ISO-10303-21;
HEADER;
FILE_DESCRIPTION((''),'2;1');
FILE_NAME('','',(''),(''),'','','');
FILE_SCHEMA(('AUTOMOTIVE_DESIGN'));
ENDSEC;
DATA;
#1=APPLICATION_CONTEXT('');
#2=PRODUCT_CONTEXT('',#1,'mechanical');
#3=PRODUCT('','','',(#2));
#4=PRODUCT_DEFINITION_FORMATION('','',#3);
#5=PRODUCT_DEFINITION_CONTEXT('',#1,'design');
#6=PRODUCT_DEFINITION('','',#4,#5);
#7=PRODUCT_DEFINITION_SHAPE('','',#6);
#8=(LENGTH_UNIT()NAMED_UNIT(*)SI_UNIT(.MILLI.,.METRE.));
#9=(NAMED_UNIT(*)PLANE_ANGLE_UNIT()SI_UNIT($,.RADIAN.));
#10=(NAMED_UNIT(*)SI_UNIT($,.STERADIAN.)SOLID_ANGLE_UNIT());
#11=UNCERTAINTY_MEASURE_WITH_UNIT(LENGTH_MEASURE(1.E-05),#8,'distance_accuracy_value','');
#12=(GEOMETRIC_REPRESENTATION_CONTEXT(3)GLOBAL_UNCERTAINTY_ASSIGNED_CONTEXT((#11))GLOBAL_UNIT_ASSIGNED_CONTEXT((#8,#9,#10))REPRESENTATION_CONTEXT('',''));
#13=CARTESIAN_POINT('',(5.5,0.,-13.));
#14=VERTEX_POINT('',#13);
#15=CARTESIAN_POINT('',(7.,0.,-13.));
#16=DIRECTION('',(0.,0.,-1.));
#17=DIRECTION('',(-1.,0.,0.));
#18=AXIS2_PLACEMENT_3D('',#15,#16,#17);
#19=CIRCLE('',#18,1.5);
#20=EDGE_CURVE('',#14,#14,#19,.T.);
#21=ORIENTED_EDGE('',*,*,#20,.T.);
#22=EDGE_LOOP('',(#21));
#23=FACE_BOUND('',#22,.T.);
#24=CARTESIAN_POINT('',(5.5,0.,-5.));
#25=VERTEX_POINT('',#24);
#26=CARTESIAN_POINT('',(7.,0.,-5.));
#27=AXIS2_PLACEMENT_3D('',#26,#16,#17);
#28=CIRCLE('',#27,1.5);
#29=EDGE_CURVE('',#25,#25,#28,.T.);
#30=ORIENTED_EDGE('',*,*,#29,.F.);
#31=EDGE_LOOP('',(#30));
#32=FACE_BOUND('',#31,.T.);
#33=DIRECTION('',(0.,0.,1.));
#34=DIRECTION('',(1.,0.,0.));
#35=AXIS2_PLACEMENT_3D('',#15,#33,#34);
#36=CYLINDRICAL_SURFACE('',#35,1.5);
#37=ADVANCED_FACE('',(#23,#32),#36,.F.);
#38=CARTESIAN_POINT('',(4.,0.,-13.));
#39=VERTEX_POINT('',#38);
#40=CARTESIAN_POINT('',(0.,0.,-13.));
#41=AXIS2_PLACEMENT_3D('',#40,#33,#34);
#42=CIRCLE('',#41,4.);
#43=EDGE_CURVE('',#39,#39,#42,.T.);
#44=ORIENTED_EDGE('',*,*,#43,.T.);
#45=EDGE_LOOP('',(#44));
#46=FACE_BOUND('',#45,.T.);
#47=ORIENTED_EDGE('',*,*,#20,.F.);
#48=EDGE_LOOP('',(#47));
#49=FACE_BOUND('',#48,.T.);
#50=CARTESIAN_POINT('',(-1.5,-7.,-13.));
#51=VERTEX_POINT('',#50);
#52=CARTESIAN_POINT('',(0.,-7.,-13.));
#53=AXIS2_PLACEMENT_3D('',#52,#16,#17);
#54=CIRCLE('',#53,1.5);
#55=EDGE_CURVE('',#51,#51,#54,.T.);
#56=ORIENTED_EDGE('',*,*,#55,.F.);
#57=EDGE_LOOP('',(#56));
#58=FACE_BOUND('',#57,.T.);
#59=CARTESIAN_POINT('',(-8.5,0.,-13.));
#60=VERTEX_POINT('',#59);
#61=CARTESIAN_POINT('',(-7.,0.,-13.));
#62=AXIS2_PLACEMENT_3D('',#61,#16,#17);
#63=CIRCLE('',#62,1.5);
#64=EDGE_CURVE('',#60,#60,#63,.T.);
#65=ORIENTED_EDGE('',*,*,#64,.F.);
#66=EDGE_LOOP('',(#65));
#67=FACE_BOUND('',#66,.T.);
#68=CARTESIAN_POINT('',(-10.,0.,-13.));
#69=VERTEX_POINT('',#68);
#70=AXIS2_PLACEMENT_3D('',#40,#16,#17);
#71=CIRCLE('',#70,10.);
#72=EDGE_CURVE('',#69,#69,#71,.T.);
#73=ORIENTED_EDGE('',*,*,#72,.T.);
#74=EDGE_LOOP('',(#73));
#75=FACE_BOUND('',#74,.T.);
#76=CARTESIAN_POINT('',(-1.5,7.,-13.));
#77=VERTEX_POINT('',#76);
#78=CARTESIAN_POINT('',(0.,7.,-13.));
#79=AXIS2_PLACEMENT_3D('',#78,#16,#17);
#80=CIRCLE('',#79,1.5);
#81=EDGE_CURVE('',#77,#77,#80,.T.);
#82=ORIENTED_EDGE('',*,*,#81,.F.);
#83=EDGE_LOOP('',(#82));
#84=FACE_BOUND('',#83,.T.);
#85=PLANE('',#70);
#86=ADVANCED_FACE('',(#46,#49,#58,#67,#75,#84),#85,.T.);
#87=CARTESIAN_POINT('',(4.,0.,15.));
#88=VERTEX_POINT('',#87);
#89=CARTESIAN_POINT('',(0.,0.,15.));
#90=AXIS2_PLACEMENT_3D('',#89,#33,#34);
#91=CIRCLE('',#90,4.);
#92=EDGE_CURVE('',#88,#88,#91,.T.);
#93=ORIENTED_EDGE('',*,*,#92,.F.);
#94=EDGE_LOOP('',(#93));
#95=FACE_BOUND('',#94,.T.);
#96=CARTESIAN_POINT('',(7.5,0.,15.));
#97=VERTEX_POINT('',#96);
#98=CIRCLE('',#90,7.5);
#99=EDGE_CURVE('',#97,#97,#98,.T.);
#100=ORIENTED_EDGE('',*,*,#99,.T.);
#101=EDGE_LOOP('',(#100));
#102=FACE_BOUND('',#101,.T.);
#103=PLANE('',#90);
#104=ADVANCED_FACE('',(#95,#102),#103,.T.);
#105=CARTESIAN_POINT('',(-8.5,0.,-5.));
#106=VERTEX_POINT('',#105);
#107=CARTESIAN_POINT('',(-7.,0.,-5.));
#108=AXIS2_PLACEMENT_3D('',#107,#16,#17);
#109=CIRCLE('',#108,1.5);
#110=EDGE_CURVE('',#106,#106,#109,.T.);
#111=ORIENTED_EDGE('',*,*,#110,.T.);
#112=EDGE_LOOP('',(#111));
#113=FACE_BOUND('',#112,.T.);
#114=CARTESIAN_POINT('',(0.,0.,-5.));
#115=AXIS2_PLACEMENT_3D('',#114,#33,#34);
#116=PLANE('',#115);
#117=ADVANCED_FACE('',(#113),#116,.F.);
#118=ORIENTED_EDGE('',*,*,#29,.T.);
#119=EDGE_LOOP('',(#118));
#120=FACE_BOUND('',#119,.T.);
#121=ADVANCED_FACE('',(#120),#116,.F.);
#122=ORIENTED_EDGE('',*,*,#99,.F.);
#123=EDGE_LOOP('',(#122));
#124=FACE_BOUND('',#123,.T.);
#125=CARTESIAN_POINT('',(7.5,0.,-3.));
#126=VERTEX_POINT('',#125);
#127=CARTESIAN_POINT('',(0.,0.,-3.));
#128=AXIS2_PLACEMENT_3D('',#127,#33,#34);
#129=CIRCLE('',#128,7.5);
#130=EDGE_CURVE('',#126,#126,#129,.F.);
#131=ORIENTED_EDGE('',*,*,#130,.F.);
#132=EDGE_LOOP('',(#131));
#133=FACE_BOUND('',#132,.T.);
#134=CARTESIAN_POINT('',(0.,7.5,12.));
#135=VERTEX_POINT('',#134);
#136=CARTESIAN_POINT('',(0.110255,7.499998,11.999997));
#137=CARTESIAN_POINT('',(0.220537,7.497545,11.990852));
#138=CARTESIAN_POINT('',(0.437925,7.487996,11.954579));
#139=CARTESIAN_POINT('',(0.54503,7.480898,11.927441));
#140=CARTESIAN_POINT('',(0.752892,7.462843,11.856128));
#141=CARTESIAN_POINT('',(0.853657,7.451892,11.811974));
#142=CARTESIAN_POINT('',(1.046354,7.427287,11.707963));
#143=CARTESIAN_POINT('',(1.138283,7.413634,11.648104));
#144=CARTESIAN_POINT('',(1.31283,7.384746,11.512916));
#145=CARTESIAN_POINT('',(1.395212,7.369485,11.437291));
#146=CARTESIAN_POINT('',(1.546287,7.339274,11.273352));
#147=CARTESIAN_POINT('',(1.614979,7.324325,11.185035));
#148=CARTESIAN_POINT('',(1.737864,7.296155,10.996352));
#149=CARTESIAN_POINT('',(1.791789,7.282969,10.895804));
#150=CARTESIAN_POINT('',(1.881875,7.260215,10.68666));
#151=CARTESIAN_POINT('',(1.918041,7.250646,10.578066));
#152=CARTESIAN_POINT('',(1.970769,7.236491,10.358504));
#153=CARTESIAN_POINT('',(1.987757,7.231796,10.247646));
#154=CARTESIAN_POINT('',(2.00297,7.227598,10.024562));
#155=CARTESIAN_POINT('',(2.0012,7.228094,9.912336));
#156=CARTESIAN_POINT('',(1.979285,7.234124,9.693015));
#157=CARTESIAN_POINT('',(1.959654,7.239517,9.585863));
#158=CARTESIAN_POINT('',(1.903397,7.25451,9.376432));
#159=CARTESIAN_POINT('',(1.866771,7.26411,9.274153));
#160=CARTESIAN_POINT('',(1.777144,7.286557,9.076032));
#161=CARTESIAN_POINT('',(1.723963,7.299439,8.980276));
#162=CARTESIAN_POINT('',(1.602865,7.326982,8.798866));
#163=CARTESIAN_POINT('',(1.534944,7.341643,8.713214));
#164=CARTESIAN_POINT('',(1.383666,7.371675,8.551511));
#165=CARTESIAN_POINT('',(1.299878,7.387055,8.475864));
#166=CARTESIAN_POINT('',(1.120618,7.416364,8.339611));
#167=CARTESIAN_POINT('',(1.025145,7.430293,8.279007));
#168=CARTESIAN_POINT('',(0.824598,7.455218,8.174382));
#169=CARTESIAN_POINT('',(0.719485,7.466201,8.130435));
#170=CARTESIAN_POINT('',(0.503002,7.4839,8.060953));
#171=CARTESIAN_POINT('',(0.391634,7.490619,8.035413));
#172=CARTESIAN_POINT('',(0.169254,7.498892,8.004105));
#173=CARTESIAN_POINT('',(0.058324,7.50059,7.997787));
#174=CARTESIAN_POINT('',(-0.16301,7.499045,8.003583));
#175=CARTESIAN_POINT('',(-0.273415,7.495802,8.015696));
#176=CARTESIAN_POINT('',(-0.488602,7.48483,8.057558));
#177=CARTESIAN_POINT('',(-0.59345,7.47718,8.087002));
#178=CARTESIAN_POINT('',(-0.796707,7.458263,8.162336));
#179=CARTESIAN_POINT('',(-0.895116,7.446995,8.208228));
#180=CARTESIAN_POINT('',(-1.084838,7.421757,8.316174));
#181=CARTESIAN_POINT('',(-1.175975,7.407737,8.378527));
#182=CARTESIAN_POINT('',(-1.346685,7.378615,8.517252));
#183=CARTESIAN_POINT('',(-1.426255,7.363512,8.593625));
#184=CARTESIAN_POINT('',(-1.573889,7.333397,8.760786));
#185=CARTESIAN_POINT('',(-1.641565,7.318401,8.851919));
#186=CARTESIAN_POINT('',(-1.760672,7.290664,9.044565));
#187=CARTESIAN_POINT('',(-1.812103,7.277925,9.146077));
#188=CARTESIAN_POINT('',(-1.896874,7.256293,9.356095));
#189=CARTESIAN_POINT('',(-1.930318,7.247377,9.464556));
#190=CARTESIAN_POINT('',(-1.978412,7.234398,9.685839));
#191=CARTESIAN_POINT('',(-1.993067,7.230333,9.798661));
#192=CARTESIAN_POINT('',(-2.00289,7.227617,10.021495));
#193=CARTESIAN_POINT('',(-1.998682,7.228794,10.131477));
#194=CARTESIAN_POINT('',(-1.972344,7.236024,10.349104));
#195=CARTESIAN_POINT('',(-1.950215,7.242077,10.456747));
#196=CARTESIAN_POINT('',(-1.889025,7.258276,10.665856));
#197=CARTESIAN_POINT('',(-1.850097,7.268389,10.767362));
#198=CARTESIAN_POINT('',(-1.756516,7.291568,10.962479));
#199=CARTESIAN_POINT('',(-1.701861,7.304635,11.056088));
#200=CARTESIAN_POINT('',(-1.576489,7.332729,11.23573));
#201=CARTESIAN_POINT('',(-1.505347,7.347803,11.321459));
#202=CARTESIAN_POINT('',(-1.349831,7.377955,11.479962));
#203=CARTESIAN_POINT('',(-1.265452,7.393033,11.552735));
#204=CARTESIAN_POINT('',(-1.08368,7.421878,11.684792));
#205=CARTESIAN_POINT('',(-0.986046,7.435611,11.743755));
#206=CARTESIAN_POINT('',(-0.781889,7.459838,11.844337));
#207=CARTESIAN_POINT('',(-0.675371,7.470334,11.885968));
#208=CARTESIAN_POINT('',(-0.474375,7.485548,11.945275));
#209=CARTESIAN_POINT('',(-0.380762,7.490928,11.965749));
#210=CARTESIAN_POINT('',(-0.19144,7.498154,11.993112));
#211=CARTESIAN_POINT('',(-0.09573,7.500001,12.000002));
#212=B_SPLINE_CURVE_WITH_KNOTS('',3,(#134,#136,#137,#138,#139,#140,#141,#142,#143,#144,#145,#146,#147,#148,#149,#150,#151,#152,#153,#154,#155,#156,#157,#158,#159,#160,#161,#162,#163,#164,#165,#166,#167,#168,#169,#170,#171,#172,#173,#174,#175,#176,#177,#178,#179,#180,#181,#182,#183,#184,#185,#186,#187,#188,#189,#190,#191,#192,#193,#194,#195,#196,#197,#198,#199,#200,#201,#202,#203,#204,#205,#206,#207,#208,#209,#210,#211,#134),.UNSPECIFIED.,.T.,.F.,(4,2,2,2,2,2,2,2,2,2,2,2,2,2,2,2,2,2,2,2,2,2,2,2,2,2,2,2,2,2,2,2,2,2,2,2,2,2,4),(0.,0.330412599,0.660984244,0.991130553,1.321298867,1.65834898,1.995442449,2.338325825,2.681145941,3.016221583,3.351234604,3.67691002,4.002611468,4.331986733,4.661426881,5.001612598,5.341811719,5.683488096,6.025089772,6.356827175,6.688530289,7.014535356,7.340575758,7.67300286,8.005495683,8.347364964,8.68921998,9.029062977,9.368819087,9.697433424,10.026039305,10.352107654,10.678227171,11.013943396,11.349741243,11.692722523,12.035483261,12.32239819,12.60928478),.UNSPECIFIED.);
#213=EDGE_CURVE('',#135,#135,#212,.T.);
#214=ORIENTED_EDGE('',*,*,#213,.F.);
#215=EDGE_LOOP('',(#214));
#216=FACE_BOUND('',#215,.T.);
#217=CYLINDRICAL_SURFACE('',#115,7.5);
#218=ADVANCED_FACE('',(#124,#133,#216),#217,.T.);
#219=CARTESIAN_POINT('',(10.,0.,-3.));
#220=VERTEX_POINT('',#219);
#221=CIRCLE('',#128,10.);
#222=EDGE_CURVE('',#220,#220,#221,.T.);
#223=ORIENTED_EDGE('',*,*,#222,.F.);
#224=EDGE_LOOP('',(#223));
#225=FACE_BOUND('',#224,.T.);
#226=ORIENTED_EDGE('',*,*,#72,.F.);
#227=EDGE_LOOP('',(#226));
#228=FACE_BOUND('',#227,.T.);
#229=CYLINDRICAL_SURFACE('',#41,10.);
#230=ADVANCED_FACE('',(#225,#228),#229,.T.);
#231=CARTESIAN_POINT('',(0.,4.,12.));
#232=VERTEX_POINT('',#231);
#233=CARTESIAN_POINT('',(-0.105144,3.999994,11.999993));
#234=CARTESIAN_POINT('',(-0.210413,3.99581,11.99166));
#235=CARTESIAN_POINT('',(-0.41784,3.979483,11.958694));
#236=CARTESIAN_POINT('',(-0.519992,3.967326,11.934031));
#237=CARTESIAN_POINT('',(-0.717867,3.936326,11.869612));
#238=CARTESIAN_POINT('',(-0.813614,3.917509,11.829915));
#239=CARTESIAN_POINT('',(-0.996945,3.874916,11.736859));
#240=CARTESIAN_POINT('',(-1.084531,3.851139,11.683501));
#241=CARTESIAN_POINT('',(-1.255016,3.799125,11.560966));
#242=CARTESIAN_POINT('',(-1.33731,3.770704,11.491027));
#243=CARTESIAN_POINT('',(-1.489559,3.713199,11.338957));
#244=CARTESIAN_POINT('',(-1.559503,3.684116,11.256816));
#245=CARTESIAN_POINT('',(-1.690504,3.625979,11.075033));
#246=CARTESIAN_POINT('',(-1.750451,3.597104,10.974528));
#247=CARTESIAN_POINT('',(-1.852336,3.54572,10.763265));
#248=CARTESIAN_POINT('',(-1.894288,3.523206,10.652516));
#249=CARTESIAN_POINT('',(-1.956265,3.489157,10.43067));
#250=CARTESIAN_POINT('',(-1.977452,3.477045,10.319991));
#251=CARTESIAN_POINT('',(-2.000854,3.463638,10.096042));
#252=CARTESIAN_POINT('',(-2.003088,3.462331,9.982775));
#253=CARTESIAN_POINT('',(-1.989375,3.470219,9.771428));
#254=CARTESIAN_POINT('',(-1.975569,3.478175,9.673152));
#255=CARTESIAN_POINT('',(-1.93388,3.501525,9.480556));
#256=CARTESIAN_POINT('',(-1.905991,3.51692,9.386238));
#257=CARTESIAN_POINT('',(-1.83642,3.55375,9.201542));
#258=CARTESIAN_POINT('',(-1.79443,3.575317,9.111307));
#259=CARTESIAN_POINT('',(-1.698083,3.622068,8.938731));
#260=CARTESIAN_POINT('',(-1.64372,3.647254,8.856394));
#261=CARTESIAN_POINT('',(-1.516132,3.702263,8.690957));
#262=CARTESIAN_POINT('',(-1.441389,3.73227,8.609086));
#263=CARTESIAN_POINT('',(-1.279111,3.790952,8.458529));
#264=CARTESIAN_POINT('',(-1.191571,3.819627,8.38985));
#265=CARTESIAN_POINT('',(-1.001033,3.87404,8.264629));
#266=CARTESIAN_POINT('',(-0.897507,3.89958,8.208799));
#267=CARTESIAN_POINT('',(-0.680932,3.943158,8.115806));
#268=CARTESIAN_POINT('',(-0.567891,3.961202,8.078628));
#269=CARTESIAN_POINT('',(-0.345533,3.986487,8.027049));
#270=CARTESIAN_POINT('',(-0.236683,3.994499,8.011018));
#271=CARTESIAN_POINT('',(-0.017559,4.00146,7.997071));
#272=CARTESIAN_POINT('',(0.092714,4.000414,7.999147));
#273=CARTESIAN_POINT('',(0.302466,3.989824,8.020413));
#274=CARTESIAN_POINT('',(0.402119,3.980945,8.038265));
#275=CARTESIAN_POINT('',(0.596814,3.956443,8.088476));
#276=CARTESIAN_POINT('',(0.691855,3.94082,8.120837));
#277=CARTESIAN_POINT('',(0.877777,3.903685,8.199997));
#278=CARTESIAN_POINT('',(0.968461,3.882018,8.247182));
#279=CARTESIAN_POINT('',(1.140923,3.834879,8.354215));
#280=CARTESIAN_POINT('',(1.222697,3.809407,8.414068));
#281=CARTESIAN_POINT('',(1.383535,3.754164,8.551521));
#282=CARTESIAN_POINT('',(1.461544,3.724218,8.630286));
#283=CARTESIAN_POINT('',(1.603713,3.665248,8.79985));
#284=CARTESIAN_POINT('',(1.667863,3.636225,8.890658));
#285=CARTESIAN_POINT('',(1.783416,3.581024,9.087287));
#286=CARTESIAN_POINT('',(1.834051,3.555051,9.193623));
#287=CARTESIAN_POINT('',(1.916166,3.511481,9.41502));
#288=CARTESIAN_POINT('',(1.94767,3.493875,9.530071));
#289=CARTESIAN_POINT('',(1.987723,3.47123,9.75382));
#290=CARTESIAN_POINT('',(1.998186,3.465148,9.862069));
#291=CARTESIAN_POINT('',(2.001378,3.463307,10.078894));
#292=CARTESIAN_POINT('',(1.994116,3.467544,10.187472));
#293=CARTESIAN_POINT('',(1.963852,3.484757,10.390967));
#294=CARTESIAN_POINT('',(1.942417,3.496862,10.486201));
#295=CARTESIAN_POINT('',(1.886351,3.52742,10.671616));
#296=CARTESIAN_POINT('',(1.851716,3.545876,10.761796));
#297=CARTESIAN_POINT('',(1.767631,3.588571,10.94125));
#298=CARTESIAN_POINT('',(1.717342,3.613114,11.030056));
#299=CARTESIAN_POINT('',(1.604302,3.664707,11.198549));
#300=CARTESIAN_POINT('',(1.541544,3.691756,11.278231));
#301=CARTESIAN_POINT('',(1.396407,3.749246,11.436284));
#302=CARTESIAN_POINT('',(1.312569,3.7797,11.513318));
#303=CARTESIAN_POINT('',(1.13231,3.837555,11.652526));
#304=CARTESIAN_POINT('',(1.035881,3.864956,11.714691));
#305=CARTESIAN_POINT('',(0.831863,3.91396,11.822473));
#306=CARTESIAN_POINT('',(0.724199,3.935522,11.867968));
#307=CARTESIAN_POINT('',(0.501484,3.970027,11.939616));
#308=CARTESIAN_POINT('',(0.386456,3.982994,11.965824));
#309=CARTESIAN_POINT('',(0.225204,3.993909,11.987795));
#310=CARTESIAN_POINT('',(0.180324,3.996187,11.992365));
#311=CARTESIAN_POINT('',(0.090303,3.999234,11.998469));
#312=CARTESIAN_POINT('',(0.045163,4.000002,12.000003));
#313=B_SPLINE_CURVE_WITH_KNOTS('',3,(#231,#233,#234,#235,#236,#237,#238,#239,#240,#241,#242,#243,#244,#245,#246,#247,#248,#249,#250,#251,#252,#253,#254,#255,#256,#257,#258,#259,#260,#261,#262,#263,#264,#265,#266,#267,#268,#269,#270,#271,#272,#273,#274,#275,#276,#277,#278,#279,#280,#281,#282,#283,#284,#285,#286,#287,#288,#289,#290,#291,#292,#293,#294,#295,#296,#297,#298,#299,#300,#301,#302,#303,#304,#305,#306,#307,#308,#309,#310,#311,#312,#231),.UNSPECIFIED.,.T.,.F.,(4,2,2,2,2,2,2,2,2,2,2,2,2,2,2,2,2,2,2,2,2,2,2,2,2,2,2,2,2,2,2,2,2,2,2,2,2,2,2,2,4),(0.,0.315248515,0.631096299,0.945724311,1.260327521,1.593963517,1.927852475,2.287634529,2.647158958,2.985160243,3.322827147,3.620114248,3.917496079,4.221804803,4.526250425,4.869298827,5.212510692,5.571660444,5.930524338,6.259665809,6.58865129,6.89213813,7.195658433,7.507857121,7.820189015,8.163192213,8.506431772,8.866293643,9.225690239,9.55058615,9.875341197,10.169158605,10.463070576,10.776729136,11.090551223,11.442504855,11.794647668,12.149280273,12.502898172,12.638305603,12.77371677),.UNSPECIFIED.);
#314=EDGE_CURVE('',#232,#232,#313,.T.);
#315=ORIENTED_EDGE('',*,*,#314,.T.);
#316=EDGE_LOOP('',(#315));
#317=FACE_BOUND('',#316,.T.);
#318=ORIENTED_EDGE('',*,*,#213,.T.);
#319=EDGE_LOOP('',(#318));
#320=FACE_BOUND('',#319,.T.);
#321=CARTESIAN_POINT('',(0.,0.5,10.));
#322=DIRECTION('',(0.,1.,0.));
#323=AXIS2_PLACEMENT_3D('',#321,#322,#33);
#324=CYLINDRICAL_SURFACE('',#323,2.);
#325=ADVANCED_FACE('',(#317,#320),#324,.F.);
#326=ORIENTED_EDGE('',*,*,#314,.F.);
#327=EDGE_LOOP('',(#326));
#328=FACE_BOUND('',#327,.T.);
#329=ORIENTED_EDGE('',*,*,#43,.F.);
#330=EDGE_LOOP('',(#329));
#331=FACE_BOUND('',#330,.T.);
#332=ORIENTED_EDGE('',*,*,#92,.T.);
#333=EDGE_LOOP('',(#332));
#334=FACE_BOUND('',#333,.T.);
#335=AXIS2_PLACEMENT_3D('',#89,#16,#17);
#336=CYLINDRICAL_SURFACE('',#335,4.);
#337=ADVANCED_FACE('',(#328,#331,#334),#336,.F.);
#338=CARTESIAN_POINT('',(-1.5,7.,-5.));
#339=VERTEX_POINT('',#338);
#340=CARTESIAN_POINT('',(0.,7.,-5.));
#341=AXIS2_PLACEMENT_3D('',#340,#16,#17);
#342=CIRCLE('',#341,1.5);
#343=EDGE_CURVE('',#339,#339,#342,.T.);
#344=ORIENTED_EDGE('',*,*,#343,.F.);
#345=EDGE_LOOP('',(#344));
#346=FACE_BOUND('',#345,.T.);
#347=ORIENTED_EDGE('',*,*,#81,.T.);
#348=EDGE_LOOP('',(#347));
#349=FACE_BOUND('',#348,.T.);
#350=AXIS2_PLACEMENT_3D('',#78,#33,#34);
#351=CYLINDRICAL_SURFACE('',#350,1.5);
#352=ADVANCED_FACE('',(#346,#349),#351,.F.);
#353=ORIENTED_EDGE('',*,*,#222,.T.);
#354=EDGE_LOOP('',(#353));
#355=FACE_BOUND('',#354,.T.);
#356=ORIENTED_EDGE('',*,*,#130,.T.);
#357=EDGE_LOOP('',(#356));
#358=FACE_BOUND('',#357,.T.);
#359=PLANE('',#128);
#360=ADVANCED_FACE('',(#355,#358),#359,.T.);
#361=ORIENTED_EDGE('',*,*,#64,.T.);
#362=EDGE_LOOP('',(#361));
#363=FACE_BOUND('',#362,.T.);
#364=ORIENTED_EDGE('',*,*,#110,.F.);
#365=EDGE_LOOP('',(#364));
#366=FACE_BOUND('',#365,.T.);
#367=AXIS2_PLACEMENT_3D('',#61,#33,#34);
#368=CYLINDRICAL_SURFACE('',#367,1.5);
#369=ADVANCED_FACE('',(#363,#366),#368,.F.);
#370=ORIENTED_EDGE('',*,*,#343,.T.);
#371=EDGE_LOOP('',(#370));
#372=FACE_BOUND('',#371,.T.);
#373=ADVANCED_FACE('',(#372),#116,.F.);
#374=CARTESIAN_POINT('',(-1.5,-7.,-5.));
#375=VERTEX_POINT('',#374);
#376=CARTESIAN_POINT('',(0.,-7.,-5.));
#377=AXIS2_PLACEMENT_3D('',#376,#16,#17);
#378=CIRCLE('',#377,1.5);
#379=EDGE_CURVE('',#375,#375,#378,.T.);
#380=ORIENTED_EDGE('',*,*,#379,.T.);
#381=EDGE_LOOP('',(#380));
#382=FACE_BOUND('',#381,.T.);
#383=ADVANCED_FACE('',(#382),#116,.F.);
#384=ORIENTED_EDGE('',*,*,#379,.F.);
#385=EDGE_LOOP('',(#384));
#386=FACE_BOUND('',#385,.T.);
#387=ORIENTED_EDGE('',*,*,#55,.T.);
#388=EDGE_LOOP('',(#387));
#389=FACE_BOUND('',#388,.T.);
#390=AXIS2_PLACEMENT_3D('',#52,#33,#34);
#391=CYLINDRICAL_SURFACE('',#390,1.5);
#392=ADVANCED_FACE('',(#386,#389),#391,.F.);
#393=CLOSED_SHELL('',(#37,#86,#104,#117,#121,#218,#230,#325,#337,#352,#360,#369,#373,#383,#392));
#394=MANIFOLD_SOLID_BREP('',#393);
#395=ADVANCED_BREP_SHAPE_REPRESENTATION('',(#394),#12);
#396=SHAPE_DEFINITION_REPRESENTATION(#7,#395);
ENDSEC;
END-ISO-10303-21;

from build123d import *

# Parameters (mm, degrees)
SKETCH1_R           = 7.5
SKETCH1_R_2         = 4
BOSS_EXTRUDE1_DEPTH = 5
SKETCH3_R           = 10
SKETCH3_R_2         = 1.5
BOSS_EXTRUDE3_DEPTH = 8
BOSS_EXTRUDE4_START = 15
SKETCH4_R           = 7.5
SKETCH4_R_2         = 4
BOSS_EXTRUDE4_DEPTH = 15
SKETCH2_R           = 2
CUT_EXTRUDE1_DEPTH  = 7
SKETCH6_R           = 4
CUT_EXTRUDE2_DEPTH  = 32.368774283
BOSS_EXTRUDE5_START = 2
SKETCH7_R           = 10
SKETCH7_R_2         = 4
BOSS_EXTRUDE5_DEPTH = 2


with BuildPart() as part:
    # Sketch1 → Boss-Extrude1 (new body)
    # profile 1 of 2: a face of its own
    with BuildSketch(Plane.XY):
        Circle(SKETCH1_R)
        Circle(SKETCH1_R_2, mode=Mode.SUBTRACT)
    # profile 2 of 2: a face of its own
    with BuildSketch(Plane.XY):
        Circle(SKETCH1_R_2)
    extrude(amount=-BOSS_EXTRUDE1_DEPTH)

    # Sketch3 → Boss-Extrude3 (add)
    with BuildSketch(Plane(origin=(0, 0, -5), x_dir=(-1, 0, 0), z_dir=(0, 0, -1))):
        Circle(SKETCH3_R)
        with Locations(Location((0, 7, 0), (0, 0, 166.225853002))):
            Circle(SKETCH3_R_2, mode=Mode.SUBTRACT)
        with Locations(Location((7, 0, 0), (0, 0, 283.774146998))):
            Circle(SKETCH3_R_2, mode=Mode.SUBTRACT)
        with Locations(Location((0, -7, 0), (0, 0, 193.774146998))):
            Circle(SKETCH3_R_2, mode=Mode.SUBTRACT)
        with Locations(Location((-7, 0, 0), (0, 0, 256.225853002))):
            Circle(SKETCH3_R_2, mode=Mode.SUBTRACT)
    extrude(amount=BOSS_EXTRUDE3_DEPTH)

    # Sketch4 → Boss-Extrude4 (add)
    with BuildSketch(Plane.XY.offset(BOSS_EXTRUDE4_START)):
        Circle(SKETCH4_R)
        Circle(SKETCH4_R_2, mode=Mode.SUBTRACT)
    extrude(amount=-BOSS_EXTRUDE4_DEPTH)

    # Sketch2 → Cut-Extrude1 (cut)
    with BuildSketch(Plane(origin=(0, 7.5, 0), x_dir=(1, 0, 0), z_dir=(0, 1, 0))):
        with Locations(Location((0, -10, 0), (0, 0, 270))):
            Circle(SKETCH2_R)
    extrude(amount=-CUT_EXTRUDE1_DEPTH, mode=Mode.SUBTRACT)

    # Sketch6 → Cut-Extrude2 (cut, through all)
    with BuildSketch(Plane.XY.offset(15)):
        Circle(SKETCH6_R)
    extrude(amount=-CUT_EXTRUDE2_DEPTH, mode=Mode.SUBTRACT)

    # Sketch7 → Boss-Extrude5 (add)
    with BuildSketch(Plane.XY.offset(-5).offset(BOSS_EXTRUDE5_START)):
        Circle(SKETCH7_R)
        Circle(SKETCH7_R_2, mode=Mode.SUBTRACT)
    extrude(amount=-BOSS_EXTRUDE5_DEPTH)


solid = part.part
